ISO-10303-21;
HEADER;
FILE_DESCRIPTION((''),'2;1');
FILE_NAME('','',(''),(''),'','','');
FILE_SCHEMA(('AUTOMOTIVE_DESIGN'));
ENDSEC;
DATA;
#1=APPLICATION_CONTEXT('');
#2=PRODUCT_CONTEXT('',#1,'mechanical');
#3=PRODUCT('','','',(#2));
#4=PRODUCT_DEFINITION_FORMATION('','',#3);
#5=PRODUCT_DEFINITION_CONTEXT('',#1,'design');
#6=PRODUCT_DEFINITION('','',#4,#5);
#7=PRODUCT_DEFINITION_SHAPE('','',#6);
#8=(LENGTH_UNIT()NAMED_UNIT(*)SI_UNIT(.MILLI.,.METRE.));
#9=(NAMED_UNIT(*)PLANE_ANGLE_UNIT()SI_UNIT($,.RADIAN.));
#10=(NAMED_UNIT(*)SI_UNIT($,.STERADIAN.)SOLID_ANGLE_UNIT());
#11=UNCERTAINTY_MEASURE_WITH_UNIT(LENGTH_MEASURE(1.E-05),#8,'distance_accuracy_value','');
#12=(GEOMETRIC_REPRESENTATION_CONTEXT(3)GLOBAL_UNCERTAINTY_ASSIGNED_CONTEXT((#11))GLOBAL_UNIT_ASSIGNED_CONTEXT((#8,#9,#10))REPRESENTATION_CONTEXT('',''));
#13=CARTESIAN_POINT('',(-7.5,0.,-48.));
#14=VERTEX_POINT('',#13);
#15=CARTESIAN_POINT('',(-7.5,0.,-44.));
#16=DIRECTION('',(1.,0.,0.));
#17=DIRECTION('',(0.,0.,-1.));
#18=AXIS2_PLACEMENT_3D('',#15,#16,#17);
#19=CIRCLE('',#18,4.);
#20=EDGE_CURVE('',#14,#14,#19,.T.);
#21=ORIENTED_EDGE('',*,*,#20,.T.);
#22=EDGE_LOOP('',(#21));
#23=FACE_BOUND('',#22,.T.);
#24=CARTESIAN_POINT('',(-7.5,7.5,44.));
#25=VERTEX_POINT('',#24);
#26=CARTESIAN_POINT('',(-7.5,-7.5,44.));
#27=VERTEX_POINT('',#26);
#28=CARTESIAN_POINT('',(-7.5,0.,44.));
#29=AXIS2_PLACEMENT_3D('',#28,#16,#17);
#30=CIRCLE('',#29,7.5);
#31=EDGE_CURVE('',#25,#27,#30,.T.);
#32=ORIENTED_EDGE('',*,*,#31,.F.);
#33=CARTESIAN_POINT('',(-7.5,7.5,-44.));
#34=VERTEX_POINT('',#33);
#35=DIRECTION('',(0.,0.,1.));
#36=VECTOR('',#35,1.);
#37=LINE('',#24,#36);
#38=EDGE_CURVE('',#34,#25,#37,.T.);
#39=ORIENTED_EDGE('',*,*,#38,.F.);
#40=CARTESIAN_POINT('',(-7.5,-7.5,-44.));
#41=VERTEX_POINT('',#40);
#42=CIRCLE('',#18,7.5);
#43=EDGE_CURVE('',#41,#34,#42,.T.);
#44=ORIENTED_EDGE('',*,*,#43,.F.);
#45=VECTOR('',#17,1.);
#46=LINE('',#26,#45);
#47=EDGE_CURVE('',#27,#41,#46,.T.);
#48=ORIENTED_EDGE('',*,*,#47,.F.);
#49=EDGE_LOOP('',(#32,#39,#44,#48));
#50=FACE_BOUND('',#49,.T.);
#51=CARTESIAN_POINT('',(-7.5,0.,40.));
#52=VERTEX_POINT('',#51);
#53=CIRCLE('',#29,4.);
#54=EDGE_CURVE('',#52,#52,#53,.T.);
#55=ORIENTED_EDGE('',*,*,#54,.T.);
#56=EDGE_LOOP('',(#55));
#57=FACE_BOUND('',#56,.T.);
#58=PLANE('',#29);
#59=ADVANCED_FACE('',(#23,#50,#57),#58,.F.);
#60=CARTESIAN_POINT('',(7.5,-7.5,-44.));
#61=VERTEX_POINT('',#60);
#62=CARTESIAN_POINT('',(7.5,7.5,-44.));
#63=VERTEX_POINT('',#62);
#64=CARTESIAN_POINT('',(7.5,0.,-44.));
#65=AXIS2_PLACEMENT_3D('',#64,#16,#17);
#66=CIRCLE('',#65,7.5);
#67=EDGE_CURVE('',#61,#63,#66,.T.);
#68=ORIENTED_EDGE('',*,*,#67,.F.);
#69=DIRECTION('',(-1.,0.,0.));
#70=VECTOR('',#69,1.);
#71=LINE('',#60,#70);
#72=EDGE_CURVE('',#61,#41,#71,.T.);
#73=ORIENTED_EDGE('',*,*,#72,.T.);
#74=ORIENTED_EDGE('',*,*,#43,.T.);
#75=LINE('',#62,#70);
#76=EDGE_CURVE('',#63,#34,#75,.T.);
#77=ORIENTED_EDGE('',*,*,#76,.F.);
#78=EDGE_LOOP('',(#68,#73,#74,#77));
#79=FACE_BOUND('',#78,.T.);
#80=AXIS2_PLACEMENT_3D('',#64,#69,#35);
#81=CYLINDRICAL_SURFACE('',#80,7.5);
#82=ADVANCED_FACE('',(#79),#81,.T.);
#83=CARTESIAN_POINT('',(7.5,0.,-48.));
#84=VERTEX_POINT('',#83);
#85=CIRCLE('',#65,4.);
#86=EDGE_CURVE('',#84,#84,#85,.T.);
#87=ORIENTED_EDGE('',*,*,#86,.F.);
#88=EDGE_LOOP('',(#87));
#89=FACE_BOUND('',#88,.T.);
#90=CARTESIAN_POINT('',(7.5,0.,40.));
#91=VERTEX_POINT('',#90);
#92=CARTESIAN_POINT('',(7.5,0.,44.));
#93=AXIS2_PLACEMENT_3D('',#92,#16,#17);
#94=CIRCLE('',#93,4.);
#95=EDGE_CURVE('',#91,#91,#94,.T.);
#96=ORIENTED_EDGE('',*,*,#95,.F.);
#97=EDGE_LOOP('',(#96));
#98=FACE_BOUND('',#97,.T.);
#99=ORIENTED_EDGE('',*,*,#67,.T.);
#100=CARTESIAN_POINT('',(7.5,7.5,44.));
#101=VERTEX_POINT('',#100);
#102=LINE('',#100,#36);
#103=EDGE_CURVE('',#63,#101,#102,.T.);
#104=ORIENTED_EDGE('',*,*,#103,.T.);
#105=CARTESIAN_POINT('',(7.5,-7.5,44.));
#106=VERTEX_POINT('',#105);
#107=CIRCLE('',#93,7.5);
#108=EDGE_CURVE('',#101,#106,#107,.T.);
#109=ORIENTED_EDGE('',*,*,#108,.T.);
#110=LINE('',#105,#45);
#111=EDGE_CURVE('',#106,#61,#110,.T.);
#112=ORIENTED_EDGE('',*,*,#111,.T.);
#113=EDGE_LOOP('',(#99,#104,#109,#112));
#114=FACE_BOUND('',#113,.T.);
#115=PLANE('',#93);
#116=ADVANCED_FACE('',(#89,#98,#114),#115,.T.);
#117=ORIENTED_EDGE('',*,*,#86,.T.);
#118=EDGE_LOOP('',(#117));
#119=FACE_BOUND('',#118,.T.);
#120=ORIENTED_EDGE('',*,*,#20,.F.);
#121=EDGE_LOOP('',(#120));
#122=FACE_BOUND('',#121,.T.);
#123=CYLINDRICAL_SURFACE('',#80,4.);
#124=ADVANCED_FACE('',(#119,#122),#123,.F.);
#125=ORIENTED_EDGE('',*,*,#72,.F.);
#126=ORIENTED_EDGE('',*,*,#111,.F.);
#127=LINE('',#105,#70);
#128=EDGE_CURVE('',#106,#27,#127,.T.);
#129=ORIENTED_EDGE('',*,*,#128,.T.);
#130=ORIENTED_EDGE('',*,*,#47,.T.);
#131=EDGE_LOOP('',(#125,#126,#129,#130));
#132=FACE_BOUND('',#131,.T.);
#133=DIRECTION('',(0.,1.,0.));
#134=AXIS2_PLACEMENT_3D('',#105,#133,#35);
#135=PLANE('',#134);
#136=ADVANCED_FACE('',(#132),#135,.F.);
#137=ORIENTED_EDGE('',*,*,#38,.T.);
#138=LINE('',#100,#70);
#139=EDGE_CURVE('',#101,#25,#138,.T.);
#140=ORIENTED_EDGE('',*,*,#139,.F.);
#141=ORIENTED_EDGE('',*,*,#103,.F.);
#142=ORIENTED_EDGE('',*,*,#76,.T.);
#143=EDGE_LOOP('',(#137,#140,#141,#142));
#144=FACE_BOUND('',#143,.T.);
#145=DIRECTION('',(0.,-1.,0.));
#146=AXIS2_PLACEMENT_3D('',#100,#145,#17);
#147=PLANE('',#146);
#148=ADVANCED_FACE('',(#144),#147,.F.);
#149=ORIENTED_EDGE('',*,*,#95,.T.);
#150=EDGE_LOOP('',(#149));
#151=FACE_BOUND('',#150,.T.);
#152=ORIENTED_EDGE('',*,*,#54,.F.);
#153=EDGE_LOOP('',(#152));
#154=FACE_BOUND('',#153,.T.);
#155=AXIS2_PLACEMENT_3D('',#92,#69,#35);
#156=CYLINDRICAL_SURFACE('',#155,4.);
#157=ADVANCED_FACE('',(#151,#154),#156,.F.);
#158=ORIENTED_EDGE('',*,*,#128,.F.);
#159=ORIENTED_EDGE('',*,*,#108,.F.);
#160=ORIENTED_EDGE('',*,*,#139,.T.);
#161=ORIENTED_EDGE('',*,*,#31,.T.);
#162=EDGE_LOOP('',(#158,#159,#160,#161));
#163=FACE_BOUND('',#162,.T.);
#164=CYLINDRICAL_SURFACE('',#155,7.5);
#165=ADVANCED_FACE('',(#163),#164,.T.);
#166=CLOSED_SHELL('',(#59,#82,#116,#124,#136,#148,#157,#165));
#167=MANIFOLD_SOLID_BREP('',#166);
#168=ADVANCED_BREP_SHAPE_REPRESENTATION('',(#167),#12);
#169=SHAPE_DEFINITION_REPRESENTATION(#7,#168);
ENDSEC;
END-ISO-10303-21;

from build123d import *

# Parameters (mm, degrees)
SKETCH1_R           = 4
BOSS_EXTRUDE1_DEPTH = 7.5


with BuildPart() as part:
    # Sketch1 → Boss-Extrude1 (new, symmetric)
    with BuildSketch(Plane(origin=(0, 0, 0), x_dir=(0, 0, -1), z_dir=(1, 0, 0))):
        with BuildLine():
            Line((-44, 7.5), (44, 7.5))
            ThreePointArc((44, 7.5), (51.5, 0), (44, -7.5))
            Line((44, -7.5), (-44, -7.5))
            ThreePointArc((-44, -7.5), (-51.5, 0), (-44, 7.5))
        make_face()
        with Locations((-44, 0)):
            Circle(SKETCH1_R, mode=Mode.SUBTRACT)
        with Locations((44, 0)):
            Circle(SKETCH1_R, mode=Mode.SUBTRACT)
    extrude(amount=BOSS_EXTRUDE1_DEPTH, both=True)


solid = part.part
